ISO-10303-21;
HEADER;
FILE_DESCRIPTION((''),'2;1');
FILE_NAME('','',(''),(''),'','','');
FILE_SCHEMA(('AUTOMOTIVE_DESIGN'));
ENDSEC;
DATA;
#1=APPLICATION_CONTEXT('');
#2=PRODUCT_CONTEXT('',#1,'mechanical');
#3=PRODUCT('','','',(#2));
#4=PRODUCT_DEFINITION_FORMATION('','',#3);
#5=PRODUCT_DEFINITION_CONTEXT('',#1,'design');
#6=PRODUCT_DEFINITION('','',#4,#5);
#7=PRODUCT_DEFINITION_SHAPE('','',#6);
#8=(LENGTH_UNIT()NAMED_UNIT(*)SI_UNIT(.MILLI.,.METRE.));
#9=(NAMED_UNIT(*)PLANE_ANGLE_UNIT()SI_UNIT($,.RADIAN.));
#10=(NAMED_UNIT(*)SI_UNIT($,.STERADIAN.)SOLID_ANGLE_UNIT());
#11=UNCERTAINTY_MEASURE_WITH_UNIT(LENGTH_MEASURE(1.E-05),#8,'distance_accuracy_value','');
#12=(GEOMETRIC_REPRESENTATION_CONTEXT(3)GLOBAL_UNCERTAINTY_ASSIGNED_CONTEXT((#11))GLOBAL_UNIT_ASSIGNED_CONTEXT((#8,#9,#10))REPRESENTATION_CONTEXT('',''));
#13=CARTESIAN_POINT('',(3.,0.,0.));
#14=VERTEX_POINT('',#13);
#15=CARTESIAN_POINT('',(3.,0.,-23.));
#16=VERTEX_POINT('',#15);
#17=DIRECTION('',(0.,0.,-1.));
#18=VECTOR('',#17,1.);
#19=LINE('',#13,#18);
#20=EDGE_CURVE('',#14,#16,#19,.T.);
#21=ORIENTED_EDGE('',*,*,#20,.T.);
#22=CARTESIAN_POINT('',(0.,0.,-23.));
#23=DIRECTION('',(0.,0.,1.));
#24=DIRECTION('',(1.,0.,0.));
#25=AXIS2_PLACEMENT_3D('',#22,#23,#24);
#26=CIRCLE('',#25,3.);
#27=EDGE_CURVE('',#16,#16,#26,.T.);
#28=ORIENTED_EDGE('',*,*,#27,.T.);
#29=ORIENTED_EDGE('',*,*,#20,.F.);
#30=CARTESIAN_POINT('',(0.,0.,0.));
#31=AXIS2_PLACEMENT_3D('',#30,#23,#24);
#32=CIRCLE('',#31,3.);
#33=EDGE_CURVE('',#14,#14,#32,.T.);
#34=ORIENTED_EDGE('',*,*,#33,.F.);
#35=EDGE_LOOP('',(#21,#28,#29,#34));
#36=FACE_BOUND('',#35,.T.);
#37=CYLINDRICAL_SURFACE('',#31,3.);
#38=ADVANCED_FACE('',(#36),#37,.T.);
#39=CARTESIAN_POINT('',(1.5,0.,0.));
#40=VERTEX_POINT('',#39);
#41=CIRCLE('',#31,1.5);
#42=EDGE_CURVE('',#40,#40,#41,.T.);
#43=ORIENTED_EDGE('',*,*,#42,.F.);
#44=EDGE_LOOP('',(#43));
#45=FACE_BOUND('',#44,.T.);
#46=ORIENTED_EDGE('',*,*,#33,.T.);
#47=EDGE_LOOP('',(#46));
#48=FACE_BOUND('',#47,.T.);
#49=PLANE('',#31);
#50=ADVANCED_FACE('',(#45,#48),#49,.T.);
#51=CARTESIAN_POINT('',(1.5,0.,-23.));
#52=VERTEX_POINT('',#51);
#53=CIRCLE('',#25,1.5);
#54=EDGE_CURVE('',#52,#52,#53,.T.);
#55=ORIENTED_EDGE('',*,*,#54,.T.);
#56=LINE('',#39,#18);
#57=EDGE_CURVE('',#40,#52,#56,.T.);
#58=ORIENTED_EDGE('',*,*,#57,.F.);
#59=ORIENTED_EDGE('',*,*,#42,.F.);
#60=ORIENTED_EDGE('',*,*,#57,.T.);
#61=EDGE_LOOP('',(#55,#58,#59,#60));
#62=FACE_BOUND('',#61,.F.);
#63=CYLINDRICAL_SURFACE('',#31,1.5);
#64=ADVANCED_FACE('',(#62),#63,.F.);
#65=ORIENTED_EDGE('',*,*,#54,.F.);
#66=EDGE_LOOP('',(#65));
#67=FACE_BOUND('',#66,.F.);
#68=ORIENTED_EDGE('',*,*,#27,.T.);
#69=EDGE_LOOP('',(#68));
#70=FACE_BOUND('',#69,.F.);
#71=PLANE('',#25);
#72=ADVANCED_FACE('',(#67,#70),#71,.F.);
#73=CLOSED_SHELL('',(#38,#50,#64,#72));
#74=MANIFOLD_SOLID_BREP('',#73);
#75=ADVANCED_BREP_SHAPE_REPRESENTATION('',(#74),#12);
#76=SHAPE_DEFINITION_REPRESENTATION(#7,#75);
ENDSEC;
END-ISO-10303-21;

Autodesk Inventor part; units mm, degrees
ref_plane "YZ Plane" through (0, 0, 0) normal (1, 0, 0) x (0, 1, 0)
ref_plane "XZ Plane" through (0, 0, 0) normal (0, 1, 0) x (-1, 0, 0)
ref_plane "XY Plane" through (0, 0, 0) normal (0, 0, 1) x (1, 0, 0)
sketch "Sketch1" plane through (0, 0, 0) normal (0, 0, 1) x (1, 0, 0)
  circle A0 centre (0, 0) radius 1.5
  circle A1 centre (0, 0) radius 3
  dimension "d0" = 3
  dimension "d1" = 6
extrude "Extrusion1" add sketch "Sketch1" against normal blind 23
properties part number "l27" material "アルミニウム 2014-T6"
